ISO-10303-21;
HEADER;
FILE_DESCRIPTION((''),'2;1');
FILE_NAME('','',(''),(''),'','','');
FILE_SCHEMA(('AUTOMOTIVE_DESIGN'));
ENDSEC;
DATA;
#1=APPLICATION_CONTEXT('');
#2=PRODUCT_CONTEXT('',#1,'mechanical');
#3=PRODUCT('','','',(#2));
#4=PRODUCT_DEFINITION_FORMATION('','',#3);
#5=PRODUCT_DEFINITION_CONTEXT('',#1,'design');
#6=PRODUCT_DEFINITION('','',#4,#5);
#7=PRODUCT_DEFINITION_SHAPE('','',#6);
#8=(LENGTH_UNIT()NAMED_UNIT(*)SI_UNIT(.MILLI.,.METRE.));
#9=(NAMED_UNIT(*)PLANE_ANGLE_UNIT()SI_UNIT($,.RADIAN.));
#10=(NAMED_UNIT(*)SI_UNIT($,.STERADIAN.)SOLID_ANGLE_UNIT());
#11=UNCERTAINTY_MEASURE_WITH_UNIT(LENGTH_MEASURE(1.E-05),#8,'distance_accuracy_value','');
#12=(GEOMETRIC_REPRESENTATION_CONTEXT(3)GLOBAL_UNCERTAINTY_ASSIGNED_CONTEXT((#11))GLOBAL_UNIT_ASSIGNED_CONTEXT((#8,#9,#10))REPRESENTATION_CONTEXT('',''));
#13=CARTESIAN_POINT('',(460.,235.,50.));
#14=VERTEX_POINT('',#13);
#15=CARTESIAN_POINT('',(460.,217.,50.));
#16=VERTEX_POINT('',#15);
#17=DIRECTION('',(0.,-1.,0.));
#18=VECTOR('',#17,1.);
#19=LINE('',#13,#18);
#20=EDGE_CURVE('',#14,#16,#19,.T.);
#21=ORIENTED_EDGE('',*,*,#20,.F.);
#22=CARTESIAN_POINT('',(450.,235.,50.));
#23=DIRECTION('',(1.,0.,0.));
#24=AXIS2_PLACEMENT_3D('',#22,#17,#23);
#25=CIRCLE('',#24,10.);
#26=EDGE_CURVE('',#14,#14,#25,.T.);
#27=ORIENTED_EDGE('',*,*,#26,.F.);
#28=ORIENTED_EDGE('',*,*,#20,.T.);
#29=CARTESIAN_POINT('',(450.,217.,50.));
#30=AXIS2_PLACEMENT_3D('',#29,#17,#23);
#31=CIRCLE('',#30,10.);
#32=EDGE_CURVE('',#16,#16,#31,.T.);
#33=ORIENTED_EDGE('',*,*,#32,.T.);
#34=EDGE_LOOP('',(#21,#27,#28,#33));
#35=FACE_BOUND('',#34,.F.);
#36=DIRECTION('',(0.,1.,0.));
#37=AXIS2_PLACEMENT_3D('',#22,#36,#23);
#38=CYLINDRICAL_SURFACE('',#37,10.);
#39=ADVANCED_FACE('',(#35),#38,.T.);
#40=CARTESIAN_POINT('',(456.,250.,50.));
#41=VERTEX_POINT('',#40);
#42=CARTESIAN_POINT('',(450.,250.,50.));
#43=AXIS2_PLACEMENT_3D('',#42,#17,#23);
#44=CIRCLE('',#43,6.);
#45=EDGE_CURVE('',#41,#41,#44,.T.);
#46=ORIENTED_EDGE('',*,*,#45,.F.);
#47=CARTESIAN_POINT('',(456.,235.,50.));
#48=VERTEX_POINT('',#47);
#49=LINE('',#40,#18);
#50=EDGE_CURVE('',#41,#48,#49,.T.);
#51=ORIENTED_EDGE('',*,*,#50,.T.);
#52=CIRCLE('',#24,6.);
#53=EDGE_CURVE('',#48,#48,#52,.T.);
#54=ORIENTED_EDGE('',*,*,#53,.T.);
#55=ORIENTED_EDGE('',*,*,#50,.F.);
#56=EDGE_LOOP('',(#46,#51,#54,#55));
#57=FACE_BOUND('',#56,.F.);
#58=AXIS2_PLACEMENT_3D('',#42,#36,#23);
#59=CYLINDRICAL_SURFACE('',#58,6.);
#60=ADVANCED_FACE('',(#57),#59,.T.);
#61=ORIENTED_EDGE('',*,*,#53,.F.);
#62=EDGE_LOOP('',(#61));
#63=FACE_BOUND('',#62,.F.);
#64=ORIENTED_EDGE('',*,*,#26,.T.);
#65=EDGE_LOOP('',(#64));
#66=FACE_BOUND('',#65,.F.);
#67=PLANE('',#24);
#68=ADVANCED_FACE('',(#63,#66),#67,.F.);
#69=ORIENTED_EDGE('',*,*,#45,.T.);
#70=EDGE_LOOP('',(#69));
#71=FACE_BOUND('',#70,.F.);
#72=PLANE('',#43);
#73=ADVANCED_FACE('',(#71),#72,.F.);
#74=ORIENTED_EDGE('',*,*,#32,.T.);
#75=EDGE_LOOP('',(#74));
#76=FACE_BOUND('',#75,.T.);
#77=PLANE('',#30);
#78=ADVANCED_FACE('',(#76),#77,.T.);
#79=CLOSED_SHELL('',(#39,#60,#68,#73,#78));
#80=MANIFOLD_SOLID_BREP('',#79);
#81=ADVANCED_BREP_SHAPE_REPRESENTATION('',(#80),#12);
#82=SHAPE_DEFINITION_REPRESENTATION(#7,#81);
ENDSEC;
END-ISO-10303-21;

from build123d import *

# Parameters (mm, degrees)
CYLINDER006_R          = 6
CYLINDER006_DEPTH      = 15
CYLINDER006_ROLL_ANGLE = 90
CYLINDER_R             = 10
CYLINDER_DEPTH         = 18
CYLINDER_ROLL_ANGLE    = 90


with BuildPart() as cylinder006:
    # Cylinder006 → Cylinder006 (new body)
    with BuildSketch(Plane.XY):
        Circle(CYLINDER006_R)
    extrude(amount=CYLINDER006_DEPTH)


with BuildPart() as cylinder006_1:
    # Cylinder006 roll: moved
    add(cylinder006.part.rotate(Axis((0, 0, 0), (1, 0, 0)), CYLINDER006_ROLL_ANGLE))


with BuildPart() as cylinder006_2:
    # Cylinder006 placement: moved
    add(cylinder006_1.part.moved(Location((450, 250, 50))))


with BuildPart() as pv_input_plug001:
    # Cylinder → Cylinder (new body)
    with BuildSketch(Plane.XY):
        Circle(CYLINDER_R)
    extrude(amount=CYLINDER_DEPTH)


with BuildPart() as pv_input_plug001_1:
    # Cylinder roll: moved
    add(pv_input_plug001.part.rotate(Axis((0, 0, 0), (1, 0, 0)), CYLINDER_ROLL_ANGLE))


with BuildPart() as pv_input_plug001_2:
    # Cylinder placement: moved
    add(pv_input_plug001_1.part.moved(Location((450, 235, 50))))

    # Fusion: union Cylinder006
    add(cylinder006_2.part)


solid = pv_input_plug001_2.part
